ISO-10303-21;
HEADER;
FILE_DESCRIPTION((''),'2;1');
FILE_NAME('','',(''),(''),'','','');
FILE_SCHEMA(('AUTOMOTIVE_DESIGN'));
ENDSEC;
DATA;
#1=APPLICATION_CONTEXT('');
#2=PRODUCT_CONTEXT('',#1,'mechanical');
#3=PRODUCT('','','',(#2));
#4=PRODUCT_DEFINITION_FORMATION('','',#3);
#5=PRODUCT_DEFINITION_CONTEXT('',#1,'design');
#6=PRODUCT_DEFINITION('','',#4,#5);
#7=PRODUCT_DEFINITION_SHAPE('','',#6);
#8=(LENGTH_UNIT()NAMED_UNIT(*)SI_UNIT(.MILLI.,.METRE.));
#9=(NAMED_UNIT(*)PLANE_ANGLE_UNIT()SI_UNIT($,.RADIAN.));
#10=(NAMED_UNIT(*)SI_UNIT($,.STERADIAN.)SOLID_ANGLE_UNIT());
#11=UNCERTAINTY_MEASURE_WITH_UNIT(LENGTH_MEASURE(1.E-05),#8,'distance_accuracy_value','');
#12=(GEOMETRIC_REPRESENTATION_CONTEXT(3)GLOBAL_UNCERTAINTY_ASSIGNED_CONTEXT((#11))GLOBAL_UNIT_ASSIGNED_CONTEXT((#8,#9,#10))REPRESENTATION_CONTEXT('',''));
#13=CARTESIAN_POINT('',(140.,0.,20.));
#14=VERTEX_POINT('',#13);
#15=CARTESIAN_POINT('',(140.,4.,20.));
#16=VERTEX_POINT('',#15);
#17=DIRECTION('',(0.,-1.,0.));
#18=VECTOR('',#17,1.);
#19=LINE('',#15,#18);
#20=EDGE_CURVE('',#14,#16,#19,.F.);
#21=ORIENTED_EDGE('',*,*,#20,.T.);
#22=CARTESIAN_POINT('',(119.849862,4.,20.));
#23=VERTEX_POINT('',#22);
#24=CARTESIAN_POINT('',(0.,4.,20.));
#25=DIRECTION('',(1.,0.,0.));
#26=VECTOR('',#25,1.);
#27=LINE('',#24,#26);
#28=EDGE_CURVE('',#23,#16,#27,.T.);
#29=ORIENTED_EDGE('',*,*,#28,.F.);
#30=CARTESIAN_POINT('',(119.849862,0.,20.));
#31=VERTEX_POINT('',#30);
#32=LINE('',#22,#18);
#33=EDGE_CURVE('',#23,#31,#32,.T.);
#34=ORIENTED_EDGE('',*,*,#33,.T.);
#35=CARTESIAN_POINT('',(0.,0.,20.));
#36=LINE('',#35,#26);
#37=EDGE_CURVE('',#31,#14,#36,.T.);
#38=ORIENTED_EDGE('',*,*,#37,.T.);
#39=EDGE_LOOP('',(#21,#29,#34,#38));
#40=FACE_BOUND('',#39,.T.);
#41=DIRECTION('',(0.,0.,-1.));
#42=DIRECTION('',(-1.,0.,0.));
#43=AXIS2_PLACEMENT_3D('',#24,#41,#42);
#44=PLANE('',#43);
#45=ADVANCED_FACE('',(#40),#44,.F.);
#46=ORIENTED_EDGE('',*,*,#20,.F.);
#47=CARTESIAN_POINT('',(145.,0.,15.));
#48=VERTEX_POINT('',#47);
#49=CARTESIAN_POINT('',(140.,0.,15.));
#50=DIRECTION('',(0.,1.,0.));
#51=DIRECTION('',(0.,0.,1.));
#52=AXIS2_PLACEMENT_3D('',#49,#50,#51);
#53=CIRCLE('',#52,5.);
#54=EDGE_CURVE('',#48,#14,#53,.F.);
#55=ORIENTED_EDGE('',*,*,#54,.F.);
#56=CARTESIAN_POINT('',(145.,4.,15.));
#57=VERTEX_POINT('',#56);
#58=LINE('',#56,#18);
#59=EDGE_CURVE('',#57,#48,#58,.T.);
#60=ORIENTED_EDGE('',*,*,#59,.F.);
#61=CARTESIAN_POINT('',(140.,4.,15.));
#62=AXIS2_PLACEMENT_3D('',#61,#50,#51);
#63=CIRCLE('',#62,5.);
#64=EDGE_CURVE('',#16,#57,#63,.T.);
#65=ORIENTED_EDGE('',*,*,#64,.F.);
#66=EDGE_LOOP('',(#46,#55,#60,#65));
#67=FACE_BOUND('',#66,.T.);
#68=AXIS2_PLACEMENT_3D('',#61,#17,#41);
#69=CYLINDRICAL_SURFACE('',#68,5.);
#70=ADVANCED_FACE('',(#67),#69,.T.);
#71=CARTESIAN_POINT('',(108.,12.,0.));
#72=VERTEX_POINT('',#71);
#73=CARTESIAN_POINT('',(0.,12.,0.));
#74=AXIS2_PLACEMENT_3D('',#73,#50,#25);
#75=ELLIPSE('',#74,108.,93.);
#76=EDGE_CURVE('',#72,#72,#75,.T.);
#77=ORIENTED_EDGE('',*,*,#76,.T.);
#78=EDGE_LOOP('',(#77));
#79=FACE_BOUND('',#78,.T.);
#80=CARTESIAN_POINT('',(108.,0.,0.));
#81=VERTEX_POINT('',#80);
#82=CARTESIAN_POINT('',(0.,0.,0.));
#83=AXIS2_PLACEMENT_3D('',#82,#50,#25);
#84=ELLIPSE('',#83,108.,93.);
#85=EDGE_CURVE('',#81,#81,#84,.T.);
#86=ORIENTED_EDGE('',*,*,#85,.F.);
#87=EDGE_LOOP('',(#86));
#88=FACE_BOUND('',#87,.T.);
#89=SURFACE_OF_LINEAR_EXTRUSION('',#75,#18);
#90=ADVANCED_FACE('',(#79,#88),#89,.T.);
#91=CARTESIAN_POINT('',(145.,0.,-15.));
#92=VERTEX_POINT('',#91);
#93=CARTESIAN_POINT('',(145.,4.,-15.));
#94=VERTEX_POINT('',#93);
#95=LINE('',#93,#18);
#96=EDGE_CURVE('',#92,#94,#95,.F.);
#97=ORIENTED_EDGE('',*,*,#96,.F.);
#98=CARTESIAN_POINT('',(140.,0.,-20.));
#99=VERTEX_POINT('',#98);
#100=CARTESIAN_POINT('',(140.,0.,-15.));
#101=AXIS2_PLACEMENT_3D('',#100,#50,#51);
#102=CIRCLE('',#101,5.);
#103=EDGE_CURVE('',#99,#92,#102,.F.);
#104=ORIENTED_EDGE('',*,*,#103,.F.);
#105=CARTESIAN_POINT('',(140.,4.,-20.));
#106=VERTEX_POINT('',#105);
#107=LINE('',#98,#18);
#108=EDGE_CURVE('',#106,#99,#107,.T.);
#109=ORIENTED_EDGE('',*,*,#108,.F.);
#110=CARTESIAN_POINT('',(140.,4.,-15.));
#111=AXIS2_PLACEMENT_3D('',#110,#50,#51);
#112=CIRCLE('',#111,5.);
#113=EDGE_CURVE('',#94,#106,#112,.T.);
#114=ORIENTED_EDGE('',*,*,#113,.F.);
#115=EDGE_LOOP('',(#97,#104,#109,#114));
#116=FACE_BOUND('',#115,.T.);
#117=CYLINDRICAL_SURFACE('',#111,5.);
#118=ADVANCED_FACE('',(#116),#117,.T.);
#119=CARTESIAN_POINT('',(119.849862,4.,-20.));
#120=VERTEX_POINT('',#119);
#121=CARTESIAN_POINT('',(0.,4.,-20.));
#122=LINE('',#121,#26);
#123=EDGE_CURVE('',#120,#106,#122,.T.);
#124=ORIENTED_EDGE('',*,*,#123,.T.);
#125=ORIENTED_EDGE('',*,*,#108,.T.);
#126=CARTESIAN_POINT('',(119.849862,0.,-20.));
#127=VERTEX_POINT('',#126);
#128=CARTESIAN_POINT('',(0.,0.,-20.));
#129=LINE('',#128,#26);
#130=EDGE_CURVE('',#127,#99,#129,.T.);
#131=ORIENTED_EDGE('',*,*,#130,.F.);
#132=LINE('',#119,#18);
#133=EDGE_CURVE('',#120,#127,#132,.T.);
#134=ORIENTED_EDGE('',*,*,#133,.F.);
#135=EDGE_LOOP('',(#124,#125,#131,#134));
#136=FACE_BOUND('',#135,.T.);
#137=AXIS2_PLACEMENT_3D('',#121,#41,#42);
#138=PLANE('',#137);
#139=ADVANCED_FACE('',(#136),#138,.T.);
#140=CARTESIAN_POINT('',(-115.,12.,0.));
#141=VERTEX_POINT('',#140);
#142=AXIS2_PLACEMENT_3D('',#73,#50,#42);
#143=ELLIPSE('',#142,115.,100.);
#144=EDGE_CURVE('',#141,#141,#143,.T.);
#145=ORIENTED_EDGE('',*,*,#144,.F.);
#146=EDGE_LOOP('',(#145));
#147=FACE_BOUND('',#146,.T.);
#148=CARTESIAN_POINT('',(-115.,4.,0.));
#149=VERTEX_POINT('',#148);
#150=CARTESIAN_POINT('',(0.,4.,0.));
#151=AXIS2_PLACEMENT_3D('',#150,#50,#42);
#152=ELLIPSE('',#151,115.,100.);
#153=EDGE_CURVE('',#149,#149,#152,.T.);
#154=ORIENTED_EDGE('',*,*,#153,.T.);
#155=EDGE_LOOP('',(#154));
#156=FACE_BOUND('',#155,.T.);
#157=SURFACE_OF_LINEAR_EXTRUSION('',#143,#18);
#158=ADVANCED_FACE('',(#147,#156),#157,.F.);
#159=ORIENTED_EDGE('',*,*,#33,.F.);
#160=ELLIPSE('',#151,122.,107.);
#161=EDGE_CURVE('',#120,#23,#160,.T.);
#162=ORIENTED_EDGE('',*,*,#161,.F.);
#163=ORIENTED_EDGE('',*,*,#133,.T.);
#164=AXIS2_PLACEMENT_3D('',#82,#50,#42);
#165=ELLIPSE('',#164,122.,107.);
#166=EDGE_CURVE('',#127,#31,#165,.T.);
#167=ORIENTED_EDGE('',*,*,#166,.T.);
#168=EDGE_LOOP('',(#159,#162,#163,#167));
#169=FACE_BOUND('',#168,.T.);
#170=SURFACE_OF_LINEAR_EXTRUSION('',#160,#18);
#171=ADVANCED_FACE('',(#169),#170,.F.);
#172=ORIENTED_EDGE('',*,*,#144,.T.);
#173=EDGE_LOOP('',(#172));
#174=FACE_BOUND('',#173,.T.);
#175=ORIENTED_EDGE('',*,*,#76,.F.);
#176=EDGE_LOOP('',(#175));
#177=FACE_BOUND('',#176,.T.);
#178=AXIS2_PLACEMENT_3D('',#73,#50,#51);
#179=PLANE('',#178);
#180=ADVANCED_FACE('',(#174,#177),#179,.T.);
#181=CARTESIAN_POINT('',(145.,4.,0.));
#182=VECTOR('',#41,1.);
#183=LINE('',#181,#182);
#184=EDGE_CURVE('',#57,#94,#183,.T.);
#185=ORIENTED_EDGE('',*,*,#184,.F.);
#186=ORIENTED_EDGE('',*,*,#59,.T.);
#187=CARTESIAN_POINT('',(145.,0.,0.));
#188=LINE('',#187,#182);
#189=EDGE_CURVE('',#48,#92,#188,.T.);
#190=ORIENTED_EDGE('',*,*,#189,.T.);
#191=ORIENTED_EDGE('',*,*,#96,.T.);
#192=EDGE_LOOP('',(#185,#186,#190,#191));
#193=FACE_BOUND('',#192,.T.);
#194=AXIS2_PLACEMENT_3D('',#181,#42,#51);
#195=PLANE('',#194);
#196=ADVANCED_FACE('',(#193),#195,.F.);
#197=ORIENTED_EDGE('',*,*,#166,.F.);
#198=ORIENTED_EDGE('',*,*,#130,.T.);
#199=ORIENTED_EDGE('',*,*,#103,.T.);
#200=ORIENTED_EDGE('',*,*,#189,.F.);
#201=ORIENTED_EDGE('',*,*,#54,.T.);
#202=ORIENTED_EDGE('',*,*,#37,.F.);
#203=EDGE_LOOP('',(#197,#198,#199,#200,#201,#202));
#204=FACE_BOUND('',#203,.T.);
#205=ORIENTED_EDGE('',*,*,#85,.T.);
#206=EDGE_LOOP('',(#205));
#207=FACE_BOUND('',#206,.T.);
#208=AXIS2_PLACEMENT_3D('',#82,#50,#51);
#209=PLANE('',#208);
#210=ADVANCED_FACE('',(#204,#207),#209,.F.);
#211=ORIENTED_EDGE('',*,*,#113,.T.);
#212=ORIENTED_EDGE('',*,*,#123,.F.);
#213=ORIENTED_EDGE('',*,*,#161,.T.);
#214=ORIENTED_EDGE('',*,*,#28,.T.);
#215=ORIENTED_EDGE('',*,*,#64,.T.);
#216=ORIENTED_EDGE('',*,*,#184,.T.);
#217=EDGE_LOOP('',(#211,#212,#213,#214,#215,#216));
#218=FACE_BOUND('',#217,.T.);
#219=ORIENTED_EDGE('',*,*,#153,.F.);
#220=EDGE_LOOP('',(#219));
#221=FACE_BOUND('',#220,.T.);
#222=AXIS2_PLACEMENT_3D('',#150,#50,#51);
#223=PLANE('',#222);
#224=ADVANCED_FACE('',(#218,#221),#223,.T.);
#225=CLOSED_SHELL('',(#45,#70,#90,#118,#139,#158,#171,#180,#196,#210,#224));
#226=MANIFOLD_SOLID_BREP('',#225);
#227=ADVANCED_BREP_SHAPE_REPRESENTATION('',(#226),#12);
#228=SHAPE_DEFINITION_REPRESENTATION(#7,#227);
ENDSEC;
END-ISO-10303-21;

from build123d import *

# Parameters (mm, degrees)
SKETCH1_RX          = 115
SKETCH1_RY          = 100
SKETCH1_RX_2        = 108
SKETCH1_RY_2        = 93
BOSS_EXTRUDE1_DEPTH = 12
SKETCH2_RX          = 122
SKETCH2_RY          = 107
SKETCH2_RX_2        = 108
SKETCH2_RY_2        = 93
BOSS_EXTRUDE2_DEPTH = 4
BOSS_EXTRUDE3_DEPTH = 4
FILLET1_R           = 5


with BuildPart() as part:
    # Sketch1 → Boss-Extrude1 (new body)
    with BuildSketch(Plane(origin=(0, 0, 0), x_dir=(1, 0, 0), z_dir=(0, 1, 0))):
        with Locations(Location((0, 0), (0, 0, 180))):
            Ellipse(SKETCH1_RX, SKETCH1_RY)
        with Locations((0, 0)):
            Ellipse(SKETCH1_RX_2, SKETCH1_RY_2, mode=Mode.SUBTRACT)
    extrude(amount=BOSS_EXTRUDE1_DEPTH)

    # Sketch2 → Boss-Extrude2 (add)
    with BuildSketch(Plane(origin=(0, 0, 0), x_dir=(1, 0, 0), z_dir=(0, 1, 0))):
        with Locations(Location((0, 0), (0, 0, 180))):
            Ellipse(SKETCH2_RX, SKETCH2_RY)
        with Locations(Location((0, 0), (0, 0, 180))):
            Ellipse(SKETCH2_RX_2, SKETCH2_RY_2, mode=Mode.SUBTRACT)
    extrude(amount=BOSS_EXTRUDE2_DEPTH)

    # Sketch3 → Boss-Extrude3 (add)
    with BuildSketch(Plane(origin=(0, 0, 0), x_dir=(1, 0, 0), z_dir=(0, 1, 0))):
        Polygon((115, -20), (145, -20), (145, 20), (115, 20), (115, 0), align=None)
    extrude(amount=BOSS_EXTRUDE3_DEPTH)

    # Fillet1
    fillet1_edges = [part.edges().sort_by_distance(p)[0] for p in [
        (145, 2, -20),
        (145, 2, 20),
    ]]
    fillet(fillet1_edges, radius=FILLET1_R)


solid = part.part
